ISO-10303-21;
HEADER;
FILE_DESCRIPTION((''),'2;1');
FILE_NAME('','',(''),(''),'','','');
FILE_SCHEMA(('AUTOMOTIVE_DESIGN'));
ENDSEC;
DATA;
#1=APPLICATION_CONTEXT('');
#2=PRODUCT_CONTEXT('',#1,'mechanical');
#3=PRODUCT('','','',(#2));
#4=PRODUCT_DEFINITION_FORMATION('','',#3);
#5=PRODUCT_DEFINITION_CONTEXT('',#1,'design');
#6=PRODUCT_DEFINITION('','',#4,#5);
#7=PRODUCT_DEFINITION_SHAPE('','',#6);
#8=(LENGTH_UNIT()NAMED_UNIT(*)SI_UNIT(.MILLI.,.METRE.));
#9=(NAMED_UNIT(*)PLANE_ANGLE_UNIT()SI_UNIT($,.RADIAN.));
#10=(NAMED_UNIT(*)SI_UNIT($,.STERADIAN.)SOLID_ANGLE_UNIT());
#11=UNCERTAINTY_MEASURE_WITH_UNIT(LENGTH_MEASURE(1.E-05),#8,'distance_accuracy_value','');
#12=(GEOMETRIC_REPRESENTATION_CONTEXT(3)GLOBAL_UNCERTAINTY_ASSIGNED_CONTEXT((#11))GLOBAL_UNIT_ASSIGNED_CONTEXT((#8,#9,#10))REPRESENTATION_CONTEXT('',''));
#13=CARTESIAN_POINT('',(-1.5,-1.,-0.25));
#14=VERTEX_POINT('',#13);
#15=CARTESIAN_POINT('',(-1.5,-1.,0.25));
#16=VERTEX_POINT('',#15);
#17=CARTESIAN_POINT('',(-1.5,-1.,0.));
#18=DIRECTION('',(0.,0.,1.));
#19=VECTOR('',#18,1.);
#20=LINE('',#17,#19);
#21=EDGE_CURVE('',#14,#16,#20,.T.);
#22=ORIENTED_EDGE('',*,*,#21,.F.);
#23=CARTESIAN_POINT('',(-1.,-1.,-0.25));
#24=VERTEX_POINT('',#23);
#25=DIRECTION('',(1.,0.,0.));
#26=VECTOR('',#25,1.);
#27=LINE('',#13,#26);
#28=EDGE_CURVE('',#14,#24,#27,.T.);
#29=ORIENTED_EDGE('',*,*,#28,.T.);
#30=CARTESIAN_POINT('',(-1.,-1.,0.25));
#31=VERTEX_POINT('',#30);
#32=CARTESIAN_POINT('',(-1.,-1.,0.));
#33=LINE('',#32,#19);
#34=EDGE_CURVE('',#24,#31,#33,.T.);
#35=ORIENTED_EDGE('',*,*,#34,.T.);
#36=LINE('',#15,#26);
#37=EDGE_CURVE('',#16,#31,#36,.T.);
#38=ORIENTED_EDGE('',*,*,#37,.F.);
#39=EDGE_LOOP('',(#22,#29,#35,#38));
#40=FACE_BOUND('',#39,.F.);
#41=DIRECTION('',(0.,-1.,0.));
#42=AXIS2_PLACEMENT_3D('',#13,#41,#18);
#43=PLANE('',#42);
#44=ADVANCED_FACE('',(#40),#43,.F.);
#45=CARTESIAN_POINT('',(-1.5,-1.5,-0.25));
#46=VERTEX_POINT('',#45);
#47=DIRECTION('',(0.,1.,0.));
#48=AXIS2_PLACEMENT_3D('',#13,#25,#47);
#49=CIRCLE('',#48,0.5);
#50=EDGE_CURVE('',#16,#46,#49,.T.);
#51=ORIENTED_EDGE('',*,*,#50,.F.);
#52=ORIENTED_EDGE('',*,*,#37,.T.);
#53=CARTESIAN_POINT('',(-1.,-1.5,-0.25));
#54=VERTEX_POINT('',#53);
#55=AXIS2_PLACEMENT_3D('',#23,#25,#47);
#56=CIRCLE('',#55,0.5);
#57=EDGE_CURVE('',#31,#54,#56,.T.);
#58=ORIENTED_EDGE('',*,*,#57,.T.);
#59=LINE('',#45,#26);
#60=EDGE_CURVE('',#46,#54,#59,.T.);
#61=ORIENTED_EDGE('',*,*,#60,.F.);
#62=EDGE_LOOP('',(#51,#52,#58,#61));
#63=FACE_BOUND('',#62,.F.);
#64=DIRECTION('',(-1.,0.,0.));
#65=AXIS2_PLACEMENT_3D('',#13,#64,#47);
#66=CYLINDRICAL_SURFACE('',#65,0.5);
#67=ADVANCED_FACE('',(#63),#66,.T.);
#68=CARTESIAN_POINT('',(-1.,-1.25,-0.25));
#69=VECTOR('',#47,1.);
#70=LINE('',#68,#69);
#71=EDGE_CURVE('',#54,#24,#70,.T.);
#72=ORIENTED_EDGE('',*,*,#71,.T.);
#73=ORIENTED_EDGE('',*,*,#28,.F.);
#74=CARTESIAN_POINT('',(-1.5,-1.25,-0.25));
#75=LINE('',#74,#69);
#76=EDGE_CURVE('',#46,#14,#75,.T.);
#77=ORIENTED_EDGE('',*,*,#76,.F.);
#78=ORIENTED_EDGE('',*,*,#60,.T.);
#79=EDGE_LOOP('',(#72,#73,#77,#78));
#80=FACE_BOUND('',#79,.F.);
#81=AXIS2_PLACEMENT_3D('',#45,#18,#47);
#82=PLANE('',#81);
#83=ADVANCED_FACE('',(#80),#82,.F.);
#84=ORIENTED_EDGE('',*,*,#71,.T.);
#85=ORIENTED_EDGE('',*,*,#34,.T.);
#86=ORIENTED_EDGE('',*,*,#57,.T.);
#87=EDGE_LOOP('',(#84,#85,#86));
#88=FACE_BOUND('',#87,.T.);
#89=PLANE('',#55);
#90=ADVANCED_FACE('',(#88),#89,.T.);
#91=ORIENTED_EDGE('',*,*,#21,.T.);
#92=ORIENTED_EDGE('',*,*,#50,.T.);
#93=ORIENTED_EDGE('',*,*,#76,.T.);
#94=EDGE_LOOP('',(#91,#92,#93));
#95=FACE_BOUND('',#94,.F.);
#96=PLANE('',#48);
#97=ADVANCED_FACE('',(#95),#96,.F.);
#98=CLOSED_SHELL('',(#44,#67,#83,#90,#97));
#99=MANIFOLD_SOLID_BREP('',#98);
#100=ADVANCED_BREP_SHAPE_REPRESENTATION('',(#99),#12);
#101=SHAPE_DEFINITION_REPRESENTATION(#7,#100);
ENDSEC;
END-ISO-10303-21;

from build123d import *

# Parameters (mm, degrees)
SKETCH004_W      = 0.5
SKETCH004_H      = 0.5
EXTRUDE004_DEPTH = 0.5
SKETCH003_R      = 0.5
EXTRUDE003_DEPTH = 0.5


with BuildPart() as extrude004:
    # Sketch004 → Extrude004 (new body)
    with BuildSketch(Plane.YZ.offset(-1.5)):
        with Locations((-1.25, 0)):
            Rectangle(SKETCH004_W, SKETCH004_H)
    extrude(amount=EXTRUDE004_DEPTH)


with BuildPart() as common001:
    # Sketch003 → Extrude003 (new body)
    with BuildSketch(Plane.YZ.offset(-1.5)):
        with Locations((-1, -0.25)):
            Circle(SKETCH003_R)
    extrude(amount=EXTRUDE003_DEPTH)

    # Common001: intersect Extrude004
    add(extrude004.part, mode=Mode.INTERSECT)


solid = common001.part
